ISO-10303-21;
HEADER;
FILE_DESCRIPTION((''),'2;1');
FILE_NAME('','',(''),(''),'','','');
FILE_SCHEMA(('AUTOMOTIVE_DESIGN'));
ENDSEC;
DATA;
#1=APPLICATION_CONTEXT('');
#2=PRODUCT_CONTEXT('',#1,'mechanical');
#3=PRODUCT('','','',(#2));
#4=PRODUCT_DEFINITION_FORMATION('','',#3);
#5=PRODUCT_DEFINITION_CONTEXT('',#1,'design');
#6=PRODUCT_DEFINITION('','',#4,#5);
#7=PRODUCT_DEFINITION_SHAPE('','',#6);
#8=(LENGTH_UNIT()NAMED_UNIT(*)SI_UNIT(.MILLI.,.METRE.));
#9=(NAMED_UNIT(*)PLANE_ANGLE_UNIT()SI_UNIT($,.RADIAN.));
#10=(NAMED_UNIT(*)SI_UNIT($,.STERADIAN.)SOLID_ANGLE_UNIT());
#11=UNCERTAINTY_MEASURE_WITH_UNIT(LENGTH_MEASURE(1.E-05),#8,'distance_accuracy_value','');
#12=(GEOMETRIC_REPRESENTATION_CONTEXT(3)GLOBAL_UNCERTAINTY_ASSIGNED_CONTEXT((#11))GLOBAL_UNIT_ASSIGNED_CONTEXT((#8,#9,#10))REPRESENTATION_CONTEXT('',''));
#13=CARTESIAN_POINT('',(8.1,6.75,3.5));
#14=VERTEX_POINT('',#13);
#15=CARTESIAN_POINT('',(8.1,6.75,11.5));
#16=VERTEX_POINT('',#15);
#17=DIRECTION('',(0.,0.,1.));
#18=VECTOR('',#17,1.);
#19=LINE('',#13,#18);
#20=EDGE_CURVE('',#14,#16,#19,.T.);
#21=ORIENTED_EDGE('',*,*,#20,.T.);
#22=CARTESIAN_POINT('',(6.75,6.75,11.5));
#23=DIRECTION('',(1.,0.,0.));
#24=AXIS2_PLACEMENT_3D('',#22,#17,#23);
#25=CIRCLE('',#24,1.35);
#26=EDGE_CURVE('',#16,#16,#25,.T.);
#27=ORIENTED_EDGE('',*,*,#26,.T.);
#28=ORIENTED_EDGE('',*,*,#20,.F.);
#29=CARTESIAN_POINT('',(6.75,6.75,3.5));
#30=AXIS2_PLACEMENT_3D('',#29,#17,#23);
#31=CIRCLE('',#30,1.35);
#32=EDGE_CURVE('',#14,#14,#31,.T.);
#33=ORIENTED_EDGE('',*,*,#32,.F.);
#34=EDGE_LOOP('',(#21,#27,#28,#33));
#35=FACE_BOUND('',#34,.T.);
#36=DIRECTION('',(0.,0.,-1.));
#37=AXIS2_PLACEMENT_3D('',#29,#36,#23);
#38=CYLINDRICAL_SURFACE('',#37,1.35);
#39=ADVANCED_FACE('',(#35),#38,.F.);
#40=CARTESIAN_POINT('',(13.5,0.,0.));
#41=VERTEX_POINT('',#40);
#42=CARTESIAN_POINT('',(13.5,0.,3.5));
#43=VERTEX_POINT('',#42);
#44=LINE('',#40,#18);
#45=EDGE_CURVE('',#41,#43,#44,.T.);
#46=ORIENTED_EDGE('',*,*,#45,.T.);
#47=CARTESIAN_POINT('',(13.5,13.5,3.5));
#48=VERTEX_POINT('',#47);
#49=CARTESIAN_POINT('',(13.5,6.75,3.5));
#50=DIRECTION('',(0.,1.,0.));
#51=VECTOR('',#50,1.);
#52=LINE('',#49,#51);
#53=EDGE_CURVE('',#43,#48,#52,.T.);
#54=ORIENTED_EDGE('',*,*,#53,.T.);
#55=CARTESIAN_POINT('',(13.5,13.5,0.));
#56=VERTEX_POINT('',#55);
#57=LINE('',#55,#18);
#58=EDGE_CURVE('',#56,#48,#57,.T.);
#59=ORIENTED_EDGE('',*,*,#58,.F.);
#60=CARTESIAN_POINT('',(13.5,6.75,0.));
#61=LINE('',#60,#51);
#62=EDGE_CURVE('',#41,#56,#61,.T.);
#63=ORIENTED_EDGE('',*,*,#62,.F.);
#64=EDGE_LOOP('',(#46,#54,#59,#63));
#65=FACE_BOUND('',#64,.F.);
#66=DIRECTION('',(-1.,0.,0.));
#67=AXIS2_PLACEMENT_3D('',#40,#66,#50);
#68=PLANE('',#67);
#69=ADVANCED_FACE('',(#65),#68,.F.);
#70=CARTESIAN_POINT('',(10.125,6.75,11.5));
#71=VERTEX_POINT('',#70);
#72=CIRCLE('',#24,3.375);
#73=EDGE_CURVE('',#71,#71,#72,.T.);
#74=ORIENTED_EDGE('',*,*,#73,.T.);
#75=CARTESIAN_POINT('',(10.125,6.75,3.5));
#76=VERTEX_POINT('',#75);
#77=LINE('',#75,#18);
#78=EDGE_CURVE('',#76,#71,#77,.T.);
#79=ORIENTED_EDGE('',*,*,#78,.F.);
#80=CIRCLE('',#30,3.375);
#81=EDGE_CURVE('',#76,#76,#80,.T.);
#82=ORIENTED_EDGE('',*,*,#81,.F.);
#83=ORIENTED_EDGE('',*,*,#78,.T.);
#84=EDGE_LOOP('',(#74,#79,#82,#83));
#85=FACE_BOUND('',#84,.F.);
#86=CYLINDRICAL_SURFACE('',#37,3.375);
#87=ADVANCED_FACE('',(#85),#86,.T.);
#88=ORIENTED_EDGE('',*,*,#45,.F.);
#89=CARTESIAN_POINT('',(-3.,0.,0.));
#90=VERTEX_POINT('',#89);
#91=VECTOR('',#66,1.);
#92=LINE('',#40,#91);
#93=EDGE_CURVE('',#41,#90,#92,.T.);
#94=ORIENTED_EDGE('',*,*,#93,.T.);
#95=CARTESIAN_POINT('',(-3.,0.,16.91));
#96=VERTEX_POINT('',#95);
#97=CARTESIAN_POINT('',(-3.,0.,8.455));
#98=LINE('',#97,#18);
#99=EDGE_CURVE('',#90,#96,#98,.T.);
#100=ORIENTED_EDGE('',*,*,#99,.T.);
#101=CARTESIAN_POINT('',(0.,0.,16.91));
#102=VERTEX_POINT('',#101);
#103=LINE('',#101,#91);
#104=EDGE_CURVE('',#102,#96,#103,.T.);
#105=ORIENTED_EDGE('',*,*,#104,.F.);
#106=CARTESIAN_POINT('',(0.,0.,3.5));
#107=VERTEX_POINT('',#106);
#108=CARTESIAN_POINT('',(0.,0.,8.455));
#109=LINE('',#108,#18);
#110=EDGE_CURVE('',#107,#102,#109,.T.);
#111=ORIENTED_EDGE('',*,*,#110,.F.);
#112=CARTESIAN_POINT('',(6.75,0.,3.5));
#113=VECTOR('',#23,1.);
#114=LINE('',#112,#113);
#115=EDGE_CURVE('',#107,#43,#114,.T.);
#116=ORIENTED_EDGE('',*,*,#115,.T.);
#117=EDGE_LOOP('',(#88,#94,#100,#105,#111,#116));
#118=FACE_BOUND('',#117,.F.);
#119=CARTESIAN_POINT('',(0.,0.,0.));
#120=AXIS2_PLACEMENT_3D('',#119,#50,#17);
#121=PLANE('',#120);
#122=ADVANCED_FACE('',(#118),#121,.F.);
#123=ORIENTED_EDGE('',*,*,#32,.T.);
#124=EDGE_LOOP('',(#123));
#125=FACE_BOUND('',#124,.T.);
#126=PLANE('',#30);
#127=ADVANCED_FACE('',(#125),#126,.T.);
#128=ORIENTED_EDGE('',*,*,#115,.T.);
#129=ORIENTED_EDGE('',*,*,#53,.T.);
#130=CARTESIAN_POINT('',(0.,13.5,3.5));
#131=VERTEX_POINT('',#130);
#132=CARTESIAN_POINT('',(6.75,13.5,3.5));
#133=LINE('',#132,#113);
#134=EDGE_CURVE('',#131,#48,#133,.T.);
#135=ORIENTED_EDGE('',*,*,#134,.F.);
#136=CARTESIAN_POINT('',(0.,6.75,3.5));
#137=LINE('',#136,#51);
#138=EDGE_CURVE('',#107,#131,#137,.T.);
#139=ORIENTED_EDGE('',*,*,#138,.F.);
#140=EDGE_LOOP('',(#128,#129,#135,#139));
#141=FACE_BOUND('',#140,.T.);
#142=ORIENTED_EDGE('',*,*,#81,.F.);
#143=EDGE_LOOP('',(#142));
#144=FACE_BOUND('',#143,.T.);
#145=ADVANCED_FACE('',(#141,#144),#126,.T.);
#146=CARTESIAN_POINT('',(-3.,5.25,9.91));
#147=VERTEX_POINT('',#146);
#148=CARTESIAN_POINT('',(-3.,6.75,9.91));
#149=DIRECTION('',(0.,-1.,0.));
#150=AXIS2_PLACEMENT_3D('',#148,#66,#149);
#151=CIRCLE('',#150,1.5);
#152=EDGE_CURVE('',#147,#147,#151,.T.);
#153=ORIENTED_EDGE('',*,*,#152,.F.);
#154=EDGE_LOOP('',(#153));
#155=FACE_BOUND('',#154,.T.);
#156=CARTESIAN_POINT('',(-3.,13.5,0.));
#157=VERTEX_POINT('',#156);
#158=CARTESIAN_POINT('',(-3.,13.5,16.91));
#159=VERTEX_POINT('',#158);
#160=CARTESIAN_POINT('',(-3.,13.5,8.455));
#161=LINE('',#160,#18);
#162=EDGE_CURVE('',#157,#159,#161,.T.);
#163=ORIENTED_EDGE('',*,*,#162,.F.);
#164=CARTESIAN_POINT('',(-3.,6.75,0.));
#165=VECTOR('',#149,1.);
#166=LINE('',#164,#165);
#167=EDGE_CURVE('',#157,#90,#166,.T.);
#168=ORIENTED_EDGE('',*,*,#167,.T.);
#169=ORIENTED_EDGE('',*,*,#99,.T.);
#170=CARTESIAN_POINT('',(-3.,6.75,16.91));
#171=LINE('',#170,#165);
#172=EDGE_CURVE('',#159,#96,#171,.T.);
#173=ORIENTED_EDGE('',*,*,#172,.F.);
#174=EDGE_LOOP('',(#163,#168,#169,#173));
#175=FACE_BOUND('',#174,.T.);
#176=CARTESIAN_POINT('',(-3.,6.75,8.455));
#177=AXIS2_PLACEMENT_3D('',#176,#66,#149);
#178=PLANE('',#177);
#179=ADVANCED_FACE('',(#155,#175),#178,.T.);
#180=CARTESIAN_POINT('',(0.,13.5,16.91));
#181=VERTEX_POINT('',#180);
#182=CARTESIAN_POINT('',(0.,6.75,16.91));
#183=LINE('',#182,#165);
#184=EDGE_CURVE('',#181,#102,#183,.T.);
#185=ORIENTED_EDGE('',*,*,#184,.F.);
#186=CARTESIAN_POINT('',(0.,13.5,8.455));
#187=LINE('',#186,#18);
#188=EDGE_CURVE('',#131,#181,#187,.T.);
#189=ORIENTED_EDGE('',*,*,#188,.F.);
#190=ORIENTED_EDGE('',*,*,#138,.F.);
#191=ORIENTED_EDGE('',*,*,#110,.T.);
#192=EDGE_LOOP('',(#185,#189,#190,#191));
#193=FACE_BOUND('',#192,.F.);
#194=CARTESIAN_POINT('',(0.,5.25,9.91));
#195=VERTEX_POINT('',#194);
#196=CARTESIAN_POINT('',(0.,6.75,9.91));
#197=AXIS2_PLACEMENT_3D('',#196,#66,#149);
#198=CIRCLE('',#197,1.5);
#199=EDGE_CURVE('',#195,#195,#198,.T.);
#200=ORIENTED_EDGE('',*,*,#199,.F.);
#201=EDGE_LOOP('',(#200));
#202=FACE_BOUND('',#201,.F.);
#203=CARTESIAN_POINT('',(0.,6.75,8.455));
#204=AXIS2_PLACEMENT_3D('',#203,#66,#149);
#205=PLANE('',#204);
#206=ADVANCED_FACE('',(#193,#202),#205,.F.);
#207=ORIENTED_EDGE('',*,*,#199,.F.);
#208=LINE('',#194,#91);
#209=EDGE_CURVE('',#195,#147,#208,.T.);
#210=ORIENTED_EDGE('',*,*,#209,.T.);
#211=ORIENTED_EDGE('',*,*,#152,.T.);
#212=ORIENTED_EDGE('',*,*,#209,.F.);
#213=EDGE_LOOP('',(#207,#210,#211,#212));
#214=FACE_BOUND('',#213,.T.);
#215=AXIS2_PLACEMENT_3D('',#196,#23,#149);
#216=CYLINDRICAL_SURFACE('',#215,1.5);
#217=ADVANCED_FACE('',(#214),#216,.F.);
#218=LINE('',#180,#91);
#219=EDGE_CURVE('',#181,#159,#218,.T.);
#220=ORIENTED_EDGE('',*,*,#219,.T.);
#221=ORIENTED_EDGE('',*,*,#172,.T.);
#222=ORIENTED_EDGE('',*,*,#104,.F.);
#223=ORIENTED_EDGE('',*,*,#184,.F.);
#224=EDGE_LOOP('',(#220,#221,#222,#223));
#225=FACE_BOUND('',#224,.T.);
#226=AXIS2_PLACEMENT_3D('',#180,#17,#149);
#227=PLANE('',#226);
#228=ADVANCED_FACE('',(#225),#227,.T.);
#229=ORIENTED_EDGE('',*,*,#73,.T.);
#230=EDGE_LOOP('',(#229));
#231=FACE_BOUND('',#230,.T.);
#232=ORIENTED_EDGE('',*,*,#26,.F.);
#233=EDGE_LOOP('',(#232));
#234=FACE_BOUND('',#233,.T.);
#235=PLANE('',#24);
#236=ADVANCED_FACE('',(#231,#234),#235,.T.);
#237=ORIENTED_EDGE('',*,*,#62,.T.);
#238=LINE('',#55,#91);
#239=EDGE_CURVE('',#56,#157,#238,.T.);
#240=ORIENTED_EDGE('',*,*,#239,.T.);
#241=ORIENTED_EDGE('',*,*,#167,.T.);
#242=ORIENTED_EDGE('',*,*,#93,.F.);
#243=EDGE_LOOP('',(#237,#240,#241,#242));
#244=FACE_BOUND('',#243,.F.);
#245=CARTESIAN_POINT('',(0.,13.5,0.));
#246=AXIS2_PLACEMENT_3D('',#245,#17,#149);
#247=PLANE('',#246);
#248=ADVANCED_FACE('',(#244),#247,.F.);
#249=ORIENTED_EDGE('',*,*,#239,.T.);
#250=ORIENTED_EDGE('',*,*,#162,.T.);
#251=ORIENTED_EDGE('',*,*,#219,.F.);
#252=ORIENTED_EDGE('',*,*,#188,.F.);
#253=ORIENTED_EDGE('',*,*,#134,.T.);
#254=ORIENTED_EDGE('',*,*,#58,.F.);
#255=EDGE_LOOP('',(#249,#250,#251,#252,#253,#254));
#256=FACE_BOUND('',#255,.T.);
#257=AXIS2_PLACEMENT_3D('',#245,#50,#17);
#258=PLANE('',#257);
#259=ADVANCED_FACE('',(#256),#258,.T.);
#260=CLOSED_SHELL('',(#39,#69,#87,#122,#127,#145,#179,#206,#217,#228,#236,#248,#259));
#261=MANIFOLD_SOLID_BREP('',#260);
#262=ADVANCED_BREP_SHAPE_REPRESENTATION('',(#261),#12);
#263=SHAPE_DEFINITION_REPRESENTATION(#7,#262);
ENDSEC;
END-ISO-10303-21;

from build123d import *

# Parameters (mm, degrees)
SKETCH007_W   = 13.5
SKETCH007_H   = 13.5
PAD005_DEPTH  = 3.5
SKETCH008_R   = 3.375
SKETCH008_R_2 = 1.35
PAD006_DEPTH  = 8
SKETCH009_W   = 13.5
SKETCH009_H   = 16.91
SKETCH009_R   = 1.5
PAD007_DEPTH  = 3


with BuildPart() as part:
    # Sketch007 → Pad005 (new body)
    with BuildSketch(Plane.XY):
        with Locations((6.75, 6.75)):
            Rectangle(SKETCH007_W, SKETCH007_H)
    extrude(amount=PAD005_DEPTH)

    # Sketch008 (on Face6 of Pad005) → Pad006 (join)
    with BuildSketch(Plane.XY.offset(3.5)):
        with Locations((6.75, 6.75)):
            Circle(SKETCH008_R)
        with Locations((6.75, 6.75)):
            Circle(SKETCH008_R_2, mode=Mode.SUBTRACT)
    extrude(amount=PAD006_DEPTH)

    # Sketch009 (on Face2 of Pad006) → Pad007 (join)
    with BuildSketch(Plane(origin=(0, 0, 0), x_dir=(0, -1, 0), z_dir=(-1, 0, 0))):
        with Locations((-6.75, 8.455)):
            Rectangle(SKETCH009_W, SKETCH009_H)
        with Locations((-6.75, 9.91)):
            Circle(SKETCH009_R, mode=Mode.SUBTRACT)
    extrude(amount=PAD007_DEPTH)


solid = part.part
